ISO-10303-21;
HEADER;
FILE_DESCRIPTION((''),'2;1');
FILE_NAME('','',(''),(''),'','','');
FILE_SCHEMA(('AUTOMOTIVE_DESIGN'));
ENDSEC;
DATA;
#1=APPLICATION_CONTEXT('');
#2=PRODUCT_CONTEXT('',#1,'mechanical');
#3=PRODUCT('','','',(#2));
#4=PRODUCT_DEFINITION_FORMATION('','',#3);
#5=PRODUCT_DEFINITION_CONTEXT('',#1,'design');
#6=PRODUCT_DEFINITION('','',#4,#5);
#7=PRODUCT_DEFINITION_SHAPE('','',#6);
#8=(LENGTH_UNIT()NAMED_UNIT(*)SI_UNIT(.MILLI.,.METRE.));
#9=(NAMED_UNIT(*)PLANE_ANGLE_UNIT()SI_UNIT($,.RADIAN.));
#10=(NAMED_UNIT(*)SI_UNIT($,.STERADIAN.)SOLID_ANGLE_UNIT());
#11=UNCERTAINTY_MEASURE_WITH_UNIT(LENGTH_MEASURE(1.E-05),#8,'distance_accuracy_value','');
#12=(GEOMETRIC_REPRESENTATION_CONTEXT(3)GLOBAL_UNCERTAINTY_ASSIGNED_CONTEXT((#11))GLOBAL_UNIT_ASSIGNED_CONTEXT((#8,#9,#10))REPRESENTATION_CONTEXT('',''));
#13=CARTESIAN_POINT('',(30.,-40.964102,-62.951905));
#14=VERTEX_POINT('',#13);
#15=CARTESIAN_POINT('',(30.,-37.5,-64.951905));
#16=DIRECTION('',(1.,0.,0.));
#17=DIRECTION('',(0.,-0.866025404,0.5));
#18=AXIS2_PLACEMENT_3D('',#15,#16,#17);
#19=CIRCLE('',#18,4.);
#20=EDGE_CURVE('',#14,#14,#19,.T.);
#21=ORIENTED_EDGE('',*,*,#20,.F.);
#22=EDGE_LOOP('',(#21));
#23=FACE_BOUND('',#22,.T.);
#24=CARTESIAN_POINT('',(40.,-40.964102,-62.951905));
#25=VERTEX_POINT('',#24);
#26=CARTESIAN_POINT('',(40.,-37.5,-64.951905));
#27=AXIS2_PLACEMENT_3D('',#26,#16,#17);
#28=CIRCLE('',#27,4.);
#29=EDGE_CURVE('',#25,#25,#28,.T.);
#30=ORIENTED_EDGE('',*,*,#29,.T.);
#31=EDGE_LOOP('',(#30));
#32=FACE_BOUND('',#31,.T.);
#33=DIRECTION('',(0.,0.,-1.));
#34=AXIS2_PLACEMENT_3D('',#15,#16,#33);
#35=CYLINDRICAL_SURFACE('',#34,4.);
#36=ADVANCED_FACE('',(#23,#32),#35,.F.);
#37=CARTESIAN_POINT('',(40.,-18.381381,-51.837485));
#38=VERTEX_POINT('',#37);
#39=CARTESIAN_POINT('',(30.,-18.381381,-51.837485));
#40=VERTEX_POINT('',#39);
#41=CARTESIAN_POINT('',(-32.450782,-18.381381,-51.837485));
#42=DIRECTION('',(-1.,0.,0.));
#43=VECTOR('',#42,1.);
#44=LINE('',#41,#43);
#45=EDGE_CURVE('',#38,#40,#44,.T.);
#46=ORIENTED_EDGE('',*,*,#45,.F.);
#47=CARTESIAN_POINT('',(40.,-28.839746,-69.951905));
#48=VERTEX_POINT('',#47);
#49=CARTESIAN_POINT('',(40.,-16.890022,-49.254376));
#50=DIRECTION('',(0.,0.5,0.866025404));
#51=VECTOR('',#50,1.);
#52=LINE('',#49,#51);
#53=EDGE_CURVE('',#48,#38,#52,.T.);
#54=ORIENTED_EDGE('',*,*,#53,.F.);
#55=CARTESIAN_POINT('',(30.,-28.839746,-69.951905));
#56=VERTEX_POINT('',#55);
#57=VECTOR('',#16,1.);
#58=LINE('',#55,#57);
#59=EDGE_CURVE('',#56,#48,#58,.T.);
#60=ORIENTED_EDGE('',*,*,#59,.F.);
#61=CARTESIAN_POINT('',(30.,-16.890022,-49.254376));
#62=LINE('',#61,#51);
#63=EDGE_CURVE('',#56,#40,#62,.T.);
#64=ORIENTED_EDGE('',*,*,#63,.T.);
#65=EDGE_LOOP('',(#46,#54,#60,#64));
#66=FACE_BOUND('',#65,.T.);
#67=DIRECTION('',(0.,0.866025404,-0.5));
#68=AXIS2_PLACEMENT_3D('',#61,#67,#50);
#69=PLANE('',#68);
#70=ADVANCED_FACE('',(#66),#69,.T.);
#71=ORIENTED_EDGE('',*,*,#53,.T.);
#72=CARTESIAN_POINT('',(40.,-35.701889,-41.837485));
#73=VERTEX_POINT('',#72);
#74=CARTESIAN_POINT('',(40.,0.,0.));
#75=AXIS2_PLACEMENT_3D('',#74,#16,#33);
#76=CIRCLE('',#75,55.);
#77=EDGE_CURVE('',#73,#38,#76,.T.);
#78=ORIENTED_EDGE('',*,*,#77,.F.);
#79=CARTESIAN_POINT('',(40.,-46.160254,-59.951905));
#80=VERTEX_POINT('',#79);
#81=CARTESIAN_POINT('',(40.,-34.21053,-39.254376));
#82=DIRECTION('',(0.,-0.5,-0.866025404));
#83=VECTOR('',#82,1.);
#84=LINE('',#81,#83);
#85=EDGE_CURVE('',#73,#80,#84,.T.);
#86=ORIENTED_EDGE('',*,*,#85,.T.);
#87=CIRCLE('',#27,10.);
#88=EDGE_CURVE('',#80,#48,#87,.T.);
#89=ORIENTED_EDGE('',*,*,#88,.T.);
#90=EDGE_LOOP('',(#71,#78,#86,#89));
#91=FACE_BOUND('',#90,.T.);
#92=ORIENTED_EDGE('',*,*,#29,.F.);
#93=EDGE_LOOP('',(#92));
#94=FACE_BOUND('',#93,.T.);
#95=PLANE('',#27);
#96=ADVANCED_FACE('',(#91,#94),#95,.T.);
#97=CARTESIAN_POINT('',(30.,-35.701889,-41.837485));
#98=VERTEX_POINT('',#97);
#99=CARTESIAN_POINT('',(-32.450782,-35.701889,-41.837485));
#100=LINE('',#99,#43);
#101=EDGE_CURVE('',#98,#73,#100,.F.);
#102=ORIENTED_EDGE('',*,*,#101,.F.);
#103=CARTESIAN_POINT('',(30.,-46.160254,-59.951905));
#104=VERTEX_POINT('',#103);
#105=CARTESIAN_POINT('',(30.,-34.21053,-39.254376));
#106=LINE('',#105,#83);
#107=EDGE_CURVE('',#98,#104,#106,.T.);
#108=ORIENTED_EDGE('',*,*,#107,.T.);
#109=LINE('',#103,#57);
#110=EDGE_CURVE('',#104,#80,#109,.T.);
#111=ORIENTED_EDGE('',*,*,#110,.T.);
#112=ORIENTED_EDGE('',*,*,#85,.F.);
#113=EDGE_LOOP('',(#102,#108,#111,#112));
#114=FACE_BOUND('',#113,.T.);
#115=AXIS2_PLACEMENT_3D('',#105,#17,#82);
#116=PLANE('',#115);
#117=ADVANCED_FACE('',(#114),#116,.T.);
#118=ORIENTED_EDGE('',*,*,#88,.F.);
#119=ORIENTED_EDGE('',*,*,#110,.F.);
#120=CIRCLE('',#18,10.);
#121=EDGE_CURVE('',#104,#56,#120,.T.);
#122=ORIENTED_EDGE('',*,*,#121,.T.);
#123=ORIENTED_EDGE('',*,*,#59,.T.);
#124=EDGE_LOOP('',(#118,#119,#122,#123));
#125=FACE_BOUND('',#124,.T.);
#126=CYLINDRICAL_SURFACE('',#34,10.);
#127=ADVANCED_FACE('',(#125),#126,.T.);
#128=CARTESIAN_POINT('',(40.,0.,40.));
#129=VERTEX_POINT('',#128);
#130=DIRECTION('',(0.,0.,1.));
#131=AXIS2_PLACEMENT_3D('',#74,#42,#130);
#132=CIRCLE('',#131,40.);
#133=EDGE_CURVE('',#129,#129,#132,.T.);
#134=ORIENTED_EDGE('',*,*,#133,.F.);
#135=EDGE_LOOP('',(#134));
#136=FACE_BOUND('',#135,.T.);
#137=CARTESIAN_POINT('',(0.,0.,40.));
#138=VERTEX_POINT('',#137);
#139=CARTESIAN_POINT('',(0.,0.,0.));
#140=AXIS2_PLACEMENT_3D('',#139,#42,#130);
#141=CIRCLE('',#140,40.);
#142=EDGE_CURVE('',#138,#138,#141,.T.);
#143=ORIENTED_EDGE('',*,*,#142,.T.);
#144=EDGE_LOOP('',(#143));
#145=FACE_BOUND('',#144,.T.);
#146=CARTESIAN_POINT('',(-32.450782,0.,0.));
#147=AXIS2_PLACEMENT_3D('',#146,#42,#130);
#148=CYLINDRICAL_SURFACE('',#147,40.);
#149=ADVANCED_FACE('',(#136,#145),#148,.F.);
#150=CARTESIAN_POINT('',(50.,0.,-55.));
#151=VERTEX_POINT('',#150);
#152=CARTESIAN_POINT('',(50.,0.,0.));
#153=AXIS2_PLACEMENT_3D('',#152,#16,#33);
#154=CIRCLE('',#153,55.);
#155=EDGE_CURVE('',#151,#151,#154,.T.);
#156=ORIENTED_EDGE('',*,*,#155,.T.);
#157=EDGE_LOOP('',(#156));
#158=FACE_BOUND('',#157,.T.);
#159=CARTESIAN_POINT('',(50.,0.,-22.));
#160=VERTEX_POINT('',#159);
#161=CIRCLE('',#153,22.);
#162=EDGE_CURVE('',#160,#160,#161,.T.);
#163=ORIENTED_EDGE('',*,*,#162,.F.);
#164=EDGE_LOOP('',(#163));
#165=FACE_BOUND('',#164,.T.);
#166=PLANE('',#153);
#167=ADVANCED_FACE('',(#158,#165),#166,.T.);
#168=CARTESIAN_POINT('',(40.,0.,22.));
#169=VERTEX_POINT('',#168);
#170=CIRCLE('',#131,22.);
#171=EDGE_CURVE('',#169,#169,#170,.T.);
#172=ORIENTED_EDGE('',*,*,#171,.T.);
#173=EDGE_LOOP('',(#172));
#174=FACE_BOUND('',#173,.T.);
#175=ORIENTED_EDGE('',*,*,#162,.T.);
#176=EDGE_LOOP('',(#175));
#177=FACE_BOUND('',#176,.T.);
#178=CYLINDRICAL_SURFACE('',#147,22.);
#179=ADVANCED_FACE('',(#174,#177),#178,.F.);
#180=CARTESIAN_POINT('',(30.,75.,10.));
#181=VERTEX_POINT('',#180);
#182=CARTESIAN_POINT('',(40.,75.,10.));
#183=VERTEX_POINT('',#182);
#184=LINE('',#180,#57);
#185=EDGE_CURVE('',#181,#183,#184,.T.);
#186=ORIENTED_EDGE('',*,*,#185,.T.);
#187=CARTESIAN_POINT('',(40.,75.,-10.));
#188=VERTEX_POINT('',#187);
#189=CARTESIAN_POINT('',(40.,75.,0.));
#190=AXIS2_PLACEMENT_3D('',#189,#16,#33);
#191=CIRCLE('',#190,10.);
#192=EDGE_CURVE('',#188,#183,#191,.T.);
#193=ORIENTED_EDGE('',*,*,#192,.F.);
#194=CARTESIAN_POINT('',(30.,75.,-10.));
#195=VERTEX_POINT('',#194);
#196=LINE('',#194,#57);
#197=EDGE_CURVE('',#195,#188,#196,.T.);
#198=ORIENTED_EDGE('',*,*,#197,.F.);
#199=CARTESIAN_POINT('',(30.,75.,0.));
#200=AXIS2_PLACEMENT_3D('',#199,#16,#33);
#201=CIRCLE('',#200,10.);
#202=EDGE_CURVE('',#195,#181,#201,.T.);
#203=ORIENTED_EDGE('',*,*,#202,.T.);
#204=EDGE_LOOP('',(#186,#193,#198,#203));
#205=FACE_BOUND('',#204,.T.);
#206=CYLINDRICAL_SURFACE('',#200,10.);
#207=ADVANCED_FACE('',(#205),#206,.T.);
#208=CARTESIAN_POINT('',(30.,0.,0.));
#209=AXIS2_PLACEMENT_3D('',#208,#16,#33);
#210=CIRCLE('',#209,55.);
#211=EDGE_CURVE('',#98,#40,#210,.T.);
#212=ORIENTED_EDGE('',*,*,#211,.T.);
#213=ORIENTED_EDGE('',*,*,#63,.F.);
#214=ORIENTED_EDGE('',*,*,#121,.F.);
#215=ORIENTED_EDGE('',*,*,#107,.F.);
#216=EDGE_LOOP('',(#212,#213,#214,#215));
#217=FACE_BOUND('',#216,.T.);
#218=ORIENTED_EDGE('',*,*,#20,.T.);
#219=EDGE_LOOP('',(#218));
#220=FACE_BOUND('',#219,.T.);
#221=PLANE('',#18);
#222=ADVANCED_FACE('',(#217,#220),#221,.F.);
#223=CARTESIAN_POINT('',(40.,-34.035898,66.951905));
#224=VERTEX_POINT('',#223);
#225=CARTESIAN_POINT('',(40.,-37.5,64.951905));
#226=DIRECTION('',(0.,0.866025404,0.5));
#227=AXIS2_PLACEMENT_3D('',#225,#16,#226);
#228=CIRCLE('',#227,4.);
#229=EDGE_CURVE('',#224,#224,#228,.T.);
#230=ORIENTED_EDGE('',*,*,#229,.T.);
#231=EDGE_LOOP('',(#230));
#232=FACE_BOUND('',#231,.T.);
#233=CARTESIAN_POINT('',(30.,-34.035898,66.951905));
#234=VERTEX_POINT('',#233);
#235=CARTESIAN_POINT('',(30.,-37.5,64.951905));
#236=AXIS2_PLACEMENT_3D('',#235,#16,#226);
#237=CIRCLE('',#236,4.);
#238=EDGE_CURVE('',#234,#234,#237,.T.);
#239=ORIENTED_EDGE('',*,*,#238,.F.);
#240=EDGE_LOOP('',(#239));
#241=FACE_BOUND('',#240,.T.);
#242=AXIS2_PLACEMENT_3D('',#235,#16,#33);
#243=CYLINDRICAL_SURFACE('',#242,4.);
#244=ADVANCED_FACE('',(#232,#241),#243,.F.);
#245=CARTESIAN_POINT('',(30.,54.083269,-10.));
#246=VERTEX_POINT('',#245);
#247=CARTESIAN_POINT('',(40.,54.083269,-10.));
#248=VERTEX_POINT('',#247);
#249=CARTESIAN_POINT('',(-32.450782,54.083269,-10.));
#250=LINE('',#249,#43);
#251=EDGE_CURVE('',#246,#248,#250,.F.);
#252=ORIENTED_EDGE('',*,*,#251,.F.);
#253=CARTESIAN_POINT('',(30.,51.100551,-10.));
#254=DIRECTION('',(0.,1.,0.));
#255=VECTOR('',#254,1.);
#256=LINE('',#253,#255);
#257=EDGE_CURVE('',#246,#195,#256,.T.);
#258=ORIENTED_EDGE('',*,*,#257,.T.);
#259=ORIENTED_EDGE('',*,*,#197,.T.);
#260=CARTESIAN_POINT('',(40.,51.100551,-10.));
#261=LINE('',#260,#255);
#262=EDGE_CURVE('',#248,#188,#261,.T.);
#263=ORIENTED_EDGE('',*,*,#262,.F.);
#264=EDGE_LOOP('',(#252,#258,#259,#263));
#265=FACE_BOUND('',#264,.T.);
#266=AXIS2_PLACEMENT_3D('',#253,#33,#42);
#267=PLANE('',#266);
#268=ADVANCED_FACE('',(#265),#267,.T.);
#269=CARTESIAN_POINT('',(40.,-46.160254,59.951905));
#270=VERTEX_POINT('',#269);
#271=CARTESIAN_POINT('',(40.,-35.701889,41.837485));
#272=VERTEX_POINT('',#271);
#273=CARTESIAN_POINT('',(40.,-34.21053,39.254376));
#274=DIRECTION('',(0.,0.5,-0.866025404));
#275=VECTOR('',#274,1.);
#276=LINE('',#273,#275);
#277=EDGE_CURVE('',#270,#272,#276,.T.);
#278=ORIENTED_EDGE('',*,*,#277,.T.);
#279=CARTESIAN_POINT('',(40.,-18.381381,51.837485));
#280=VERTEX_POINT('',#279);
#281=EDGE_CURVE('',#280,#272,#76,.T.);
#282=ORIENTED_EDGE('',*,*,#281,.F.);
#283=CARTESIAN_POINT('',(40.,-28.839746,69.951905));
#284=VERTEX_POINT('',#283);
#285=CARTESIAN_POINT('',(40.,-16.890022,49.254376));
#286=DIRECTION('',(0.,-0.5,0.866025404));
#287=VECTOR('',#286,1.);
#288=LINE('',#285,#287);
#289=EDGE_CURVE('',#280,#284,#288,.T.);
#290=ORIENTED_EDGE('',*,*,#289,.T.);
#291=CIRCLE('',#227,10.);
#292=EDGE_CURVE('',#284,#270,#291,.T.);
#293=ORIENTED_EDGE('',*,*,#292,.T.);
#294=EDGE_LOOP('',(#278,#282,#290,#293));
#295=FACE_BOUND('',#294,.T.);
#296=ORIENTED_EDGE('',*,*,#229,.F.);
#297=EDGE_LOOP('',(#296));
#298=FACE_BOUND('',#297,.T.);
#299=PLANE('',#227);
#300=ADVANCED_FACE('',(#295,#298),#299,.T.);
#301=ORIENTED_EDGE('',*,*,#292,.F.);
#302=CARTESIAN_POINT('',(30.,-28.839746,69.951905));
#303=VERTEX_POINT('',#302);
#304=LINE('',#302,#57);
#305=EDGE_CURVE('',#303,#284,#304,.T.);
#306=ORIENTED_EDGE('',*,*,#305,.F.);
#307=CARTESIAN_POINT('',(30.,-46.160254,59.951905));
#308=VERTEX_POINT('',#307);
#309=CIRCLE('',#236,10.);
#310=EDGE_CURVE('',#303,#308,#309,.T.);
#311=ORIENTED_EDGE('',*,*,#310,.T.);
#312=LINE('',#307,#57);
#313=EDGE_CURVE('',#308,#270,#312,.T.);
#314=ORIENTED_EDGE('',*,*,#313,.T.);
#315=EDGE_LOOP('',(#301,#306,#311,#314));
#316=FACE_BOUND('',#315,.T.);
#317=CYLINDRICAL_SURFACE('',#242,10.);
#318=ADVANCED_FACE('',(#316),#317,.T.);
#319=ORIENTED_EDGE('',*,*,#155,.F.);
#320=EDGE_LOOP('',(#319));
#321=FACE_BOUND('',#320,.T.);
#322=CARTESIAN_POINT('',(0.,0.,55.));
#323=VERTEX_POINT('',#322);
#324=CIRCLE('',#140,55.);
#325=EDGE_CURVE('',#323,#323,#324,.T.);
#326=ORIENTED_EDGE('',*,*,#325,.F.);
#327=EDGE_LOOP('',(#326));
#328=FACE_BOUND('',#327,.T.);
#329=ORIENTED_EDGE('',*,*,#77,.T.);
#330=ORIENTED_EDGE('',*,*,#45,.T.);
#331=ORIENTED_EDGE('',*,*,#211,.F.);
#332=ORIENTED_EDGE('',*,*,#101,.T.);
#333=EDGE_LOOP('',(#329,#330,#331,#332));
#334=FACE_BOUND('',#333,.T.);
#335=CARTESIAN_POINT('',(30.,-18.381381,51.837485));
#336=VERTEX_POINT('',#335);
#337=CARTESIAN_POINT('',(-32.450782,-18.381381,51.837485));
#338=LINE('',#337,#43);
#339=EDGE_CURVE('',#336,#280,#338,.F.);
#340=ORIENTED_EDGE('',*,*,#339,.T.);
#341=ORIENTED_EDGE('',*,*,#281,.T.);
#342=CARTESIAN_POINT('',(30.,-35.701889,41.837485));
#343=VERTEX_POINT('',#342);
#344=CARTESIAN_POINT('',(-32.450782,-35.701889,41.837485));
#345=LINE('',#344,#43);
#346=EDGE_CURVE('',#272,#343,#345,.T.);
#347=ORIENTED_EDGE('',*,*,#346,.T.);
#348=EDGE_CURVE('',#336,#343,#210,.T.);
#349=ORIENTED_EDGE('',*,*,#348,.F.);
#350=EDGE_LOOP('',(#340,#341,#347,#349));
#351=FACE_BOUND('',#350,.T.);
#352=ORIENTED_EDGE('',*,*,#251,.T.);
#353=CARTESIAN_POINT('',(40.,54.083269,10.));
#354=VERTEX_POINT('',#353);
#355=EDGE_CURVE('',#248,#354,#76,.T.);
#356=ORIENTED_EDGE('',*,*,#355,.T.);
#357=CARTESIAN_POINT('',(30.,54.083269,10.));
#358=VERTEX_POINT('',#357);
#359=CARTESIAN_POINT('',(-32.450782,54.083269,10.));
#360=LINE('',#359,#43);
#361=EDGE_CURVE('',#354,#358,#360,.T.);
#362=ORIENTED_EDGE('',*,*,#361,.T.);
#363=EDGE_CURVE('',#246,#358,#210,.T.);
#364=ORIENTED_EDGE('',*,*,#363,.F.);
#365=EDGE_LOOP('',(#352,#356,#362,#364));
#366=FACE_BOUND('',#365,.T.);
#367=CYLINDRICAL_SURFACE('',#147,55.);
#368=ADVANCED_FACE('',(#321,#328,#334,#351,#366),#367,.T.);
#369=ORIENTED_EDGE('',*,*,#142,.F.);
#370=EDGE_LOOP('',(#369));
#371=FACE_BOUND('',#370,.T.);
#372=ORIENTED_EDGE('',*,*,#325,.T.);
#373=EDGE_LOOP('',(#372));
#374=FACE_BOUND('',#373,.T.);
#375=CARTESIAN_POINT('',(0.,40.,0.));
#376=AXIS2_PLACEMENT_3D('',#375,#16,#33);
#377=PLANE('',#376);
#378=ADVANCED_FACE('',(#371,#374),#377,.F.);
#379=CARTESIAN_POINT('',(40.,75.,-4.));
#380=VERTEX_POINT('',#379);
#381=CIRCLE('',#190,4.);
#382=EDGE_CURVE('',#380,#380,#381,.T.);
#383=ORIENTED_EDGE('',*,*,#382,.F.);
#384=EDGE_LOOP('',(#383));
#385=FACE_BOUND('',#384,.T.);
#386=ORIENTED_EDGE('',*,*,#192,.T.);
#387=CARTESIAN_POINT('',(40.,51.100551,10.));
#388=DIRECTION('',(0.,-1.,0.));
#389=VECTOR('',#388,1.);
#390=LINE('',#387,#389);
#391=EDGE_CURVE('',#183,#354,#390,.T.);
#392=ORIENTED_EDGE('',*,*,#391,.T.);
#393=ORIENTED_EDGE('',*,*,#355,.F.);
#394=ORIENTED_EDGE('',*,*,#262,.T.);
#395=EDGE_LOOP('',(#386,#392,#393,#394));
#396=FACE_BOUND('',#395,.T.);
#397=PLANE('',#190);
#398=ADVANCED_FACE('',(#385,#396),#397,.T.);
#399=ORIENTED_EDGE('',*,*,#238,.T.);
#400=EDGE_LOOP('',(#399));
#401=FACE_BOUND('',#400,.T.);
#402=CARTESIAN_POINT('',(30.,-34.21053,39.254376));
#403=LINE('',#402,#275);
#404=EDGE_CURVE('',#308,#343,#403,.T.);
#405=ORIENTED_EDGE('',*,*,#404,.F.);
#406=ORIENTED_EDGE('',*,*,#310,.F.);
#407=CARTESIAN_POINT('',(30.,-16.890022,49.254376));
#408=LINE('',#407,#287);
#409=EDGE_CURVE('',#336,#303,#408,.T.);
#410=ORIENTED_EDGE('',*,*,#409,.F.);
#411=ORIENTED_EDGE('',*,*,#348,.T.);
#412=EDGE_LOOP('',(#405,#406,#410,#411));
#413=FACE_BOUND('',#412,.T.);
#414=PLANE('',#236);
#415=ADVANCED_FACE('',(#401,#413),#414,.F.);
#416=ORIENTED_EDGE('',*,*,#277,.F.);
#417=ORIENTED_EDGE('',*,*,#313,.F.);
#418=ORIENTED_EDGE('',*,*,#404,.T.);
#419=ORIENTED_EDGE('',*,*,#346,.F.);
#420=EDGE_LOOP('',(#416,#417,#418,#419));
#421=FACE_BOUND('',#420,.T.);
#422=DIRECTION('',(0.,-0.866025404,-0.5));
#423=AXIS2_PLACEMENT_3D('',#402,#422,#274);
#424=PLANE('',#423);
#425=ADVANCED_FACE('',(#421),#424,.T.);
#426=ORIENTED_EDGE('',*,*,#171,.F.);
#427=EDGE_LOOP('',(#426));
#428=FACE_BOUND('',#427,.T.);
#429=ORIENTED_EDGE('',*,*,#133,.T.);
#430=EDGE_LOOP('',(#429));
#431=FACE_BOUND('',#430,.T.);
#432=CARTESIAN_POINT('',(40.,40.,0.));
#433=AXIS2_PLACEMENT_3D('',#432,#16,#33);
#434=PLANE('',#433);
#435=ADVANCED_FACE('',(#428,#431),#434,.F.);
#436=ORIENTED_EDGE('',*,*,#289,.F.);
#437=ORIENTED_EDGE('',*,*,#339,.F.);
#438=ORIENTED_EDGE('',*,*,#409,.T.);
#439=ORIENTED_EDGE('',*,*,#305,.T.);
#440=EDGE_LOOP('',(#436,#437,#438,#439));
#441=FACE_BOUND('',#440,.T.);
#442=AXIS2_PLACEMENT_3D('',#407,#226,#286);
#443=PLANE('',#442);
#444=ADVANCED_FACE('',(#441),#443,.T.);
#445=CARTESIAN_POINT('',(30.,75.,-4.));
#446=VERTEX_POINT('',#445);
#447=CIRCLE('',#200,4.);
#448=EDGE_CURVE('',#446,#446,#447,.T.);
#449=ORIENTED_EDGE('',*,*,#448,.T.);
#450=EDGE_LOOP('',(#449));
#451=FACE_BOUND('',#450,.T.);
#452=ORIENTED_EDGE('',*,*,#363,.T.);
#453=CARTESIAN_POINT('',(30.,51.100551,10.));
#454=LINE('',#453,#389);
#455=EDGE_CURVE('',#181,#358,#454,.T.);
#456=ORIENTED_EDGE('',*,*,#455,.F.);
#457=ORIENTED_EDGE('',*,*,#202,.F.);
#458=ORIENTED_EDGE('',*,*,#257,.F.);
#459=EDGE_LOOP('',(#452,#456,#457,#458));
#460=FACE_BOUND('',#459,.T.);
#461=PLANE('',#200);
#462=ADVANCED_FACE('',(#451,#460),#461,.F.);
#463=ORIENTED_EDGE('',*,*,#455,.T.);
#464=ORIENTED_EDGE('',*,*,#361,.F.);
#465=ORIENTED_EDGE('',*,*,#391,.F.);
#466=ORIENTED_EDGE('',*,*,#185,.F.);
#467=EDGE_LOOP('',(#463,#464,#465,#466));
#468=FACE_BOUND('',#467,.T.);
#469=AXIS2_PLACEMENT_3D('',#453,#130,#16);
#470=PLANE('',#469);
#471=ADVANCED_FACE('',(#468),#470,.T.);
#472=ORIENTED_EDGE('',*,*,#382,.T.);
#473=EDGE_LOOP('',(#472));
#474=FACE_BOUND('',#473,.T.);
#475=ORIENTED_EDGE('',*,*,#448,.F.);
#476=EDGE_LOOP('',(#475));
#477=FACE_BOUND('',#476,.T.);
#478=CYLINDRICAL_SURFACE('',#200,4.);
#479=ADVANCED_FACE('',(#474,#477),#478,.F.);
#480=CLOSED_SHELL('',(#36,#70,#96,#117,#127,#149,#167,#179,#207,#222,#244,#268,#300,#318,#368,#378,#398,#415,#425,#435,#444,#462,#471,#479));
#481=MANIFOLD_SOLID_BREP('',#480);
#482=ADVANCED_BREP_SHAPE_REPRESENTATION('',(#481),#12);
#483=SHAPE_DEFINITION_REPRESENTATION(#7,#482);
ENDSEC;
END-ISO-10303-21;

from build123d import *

# Parameters (mm, degrees)
BOSS_EXTRUDE1_START = -15
SKETCH4_R           = 4
BOSS_EXTRUDE1_DEPTH = 10
CIRPATTERN1_COUNT   = 3
SKETCH7_R           = 55
SKETCH7_R_2         = 22
CUT_EXTRUDE1_DEPTH  = 5


with BuildPart() as part:
    # Sketch3 → Revolve1 (revolve)
    with BuildSketch(Plane.XY, mode=Mode.PRIVATE) as revolve1_sk:
        Polygon((0, 40), (0, 55), (50, 55), (55, 55), (55, 52), (55, 22), (40, 22), (40, 40), align=None)
    revolve(revolve1_sk.sketch.rotate(Axis((-32.450781709, 0, 0), (1, 0, 0)), 90), axis=Axis((-32.450781709, 0, 0), (1, 0, 0)))

    # Sketch4 → Boss-Extrude1 (add)
    with BuildSketch(Plane(origin=(55, 0, 0), x_dir=(0, 0, -1), z_dir=(1, 0, 0)).offset(BOSS_EXTRUDE1_START)):
        with BuildLine():
            Line((10, 51.100551248), (10, 75))
            ThreePointArc((10, 75), (0, 85), (-10, 75))
            Line((-10, 75), (-10, 51.100551248))
            Line((-10, 51.100551248), (10, 51.100551248))
        make_face()
        with Locations((0, 75)):
            Circle(SKETCH4_R, mode=Mode.SUBTRACT)
    boss_extrude1 = extrude(amount=-BOSS_EXTRUDE1_DEPTH)

    # CirPattern1: Boss-Extrude1 ×3 about axis
    cirpattern1_axis = Axis((0, 0, 0), (1, 0, 0))
    for i in range(1, CIRPATTERN1_COUNT):
        add(boss_extrude1.rotate(cirpattern1_axis, i * 360 / CIRPATTERN1_COUNT))

    # Sketch7 → Cut-Extrude1 (cut)
    with BuildSketch(Plane(origin=(55, 0, 0), x_dir=(0, 0, -1), z_dir=(1, 0, 0))):
        with Locations(Location((0, 0, 0), (0, 0, 180))):
            Circle(SKETCH7_R)
        with Locations(Location((0, 0, 0), (0, 0, 180))):
            Circle(SKETCH7_R_2, mode=Mode.SUBTRACT)
    extrude(amount=-CUT_EXTRUDE1_DEPTH, mode=Mode.SUBTRACT)


solid = part.part
